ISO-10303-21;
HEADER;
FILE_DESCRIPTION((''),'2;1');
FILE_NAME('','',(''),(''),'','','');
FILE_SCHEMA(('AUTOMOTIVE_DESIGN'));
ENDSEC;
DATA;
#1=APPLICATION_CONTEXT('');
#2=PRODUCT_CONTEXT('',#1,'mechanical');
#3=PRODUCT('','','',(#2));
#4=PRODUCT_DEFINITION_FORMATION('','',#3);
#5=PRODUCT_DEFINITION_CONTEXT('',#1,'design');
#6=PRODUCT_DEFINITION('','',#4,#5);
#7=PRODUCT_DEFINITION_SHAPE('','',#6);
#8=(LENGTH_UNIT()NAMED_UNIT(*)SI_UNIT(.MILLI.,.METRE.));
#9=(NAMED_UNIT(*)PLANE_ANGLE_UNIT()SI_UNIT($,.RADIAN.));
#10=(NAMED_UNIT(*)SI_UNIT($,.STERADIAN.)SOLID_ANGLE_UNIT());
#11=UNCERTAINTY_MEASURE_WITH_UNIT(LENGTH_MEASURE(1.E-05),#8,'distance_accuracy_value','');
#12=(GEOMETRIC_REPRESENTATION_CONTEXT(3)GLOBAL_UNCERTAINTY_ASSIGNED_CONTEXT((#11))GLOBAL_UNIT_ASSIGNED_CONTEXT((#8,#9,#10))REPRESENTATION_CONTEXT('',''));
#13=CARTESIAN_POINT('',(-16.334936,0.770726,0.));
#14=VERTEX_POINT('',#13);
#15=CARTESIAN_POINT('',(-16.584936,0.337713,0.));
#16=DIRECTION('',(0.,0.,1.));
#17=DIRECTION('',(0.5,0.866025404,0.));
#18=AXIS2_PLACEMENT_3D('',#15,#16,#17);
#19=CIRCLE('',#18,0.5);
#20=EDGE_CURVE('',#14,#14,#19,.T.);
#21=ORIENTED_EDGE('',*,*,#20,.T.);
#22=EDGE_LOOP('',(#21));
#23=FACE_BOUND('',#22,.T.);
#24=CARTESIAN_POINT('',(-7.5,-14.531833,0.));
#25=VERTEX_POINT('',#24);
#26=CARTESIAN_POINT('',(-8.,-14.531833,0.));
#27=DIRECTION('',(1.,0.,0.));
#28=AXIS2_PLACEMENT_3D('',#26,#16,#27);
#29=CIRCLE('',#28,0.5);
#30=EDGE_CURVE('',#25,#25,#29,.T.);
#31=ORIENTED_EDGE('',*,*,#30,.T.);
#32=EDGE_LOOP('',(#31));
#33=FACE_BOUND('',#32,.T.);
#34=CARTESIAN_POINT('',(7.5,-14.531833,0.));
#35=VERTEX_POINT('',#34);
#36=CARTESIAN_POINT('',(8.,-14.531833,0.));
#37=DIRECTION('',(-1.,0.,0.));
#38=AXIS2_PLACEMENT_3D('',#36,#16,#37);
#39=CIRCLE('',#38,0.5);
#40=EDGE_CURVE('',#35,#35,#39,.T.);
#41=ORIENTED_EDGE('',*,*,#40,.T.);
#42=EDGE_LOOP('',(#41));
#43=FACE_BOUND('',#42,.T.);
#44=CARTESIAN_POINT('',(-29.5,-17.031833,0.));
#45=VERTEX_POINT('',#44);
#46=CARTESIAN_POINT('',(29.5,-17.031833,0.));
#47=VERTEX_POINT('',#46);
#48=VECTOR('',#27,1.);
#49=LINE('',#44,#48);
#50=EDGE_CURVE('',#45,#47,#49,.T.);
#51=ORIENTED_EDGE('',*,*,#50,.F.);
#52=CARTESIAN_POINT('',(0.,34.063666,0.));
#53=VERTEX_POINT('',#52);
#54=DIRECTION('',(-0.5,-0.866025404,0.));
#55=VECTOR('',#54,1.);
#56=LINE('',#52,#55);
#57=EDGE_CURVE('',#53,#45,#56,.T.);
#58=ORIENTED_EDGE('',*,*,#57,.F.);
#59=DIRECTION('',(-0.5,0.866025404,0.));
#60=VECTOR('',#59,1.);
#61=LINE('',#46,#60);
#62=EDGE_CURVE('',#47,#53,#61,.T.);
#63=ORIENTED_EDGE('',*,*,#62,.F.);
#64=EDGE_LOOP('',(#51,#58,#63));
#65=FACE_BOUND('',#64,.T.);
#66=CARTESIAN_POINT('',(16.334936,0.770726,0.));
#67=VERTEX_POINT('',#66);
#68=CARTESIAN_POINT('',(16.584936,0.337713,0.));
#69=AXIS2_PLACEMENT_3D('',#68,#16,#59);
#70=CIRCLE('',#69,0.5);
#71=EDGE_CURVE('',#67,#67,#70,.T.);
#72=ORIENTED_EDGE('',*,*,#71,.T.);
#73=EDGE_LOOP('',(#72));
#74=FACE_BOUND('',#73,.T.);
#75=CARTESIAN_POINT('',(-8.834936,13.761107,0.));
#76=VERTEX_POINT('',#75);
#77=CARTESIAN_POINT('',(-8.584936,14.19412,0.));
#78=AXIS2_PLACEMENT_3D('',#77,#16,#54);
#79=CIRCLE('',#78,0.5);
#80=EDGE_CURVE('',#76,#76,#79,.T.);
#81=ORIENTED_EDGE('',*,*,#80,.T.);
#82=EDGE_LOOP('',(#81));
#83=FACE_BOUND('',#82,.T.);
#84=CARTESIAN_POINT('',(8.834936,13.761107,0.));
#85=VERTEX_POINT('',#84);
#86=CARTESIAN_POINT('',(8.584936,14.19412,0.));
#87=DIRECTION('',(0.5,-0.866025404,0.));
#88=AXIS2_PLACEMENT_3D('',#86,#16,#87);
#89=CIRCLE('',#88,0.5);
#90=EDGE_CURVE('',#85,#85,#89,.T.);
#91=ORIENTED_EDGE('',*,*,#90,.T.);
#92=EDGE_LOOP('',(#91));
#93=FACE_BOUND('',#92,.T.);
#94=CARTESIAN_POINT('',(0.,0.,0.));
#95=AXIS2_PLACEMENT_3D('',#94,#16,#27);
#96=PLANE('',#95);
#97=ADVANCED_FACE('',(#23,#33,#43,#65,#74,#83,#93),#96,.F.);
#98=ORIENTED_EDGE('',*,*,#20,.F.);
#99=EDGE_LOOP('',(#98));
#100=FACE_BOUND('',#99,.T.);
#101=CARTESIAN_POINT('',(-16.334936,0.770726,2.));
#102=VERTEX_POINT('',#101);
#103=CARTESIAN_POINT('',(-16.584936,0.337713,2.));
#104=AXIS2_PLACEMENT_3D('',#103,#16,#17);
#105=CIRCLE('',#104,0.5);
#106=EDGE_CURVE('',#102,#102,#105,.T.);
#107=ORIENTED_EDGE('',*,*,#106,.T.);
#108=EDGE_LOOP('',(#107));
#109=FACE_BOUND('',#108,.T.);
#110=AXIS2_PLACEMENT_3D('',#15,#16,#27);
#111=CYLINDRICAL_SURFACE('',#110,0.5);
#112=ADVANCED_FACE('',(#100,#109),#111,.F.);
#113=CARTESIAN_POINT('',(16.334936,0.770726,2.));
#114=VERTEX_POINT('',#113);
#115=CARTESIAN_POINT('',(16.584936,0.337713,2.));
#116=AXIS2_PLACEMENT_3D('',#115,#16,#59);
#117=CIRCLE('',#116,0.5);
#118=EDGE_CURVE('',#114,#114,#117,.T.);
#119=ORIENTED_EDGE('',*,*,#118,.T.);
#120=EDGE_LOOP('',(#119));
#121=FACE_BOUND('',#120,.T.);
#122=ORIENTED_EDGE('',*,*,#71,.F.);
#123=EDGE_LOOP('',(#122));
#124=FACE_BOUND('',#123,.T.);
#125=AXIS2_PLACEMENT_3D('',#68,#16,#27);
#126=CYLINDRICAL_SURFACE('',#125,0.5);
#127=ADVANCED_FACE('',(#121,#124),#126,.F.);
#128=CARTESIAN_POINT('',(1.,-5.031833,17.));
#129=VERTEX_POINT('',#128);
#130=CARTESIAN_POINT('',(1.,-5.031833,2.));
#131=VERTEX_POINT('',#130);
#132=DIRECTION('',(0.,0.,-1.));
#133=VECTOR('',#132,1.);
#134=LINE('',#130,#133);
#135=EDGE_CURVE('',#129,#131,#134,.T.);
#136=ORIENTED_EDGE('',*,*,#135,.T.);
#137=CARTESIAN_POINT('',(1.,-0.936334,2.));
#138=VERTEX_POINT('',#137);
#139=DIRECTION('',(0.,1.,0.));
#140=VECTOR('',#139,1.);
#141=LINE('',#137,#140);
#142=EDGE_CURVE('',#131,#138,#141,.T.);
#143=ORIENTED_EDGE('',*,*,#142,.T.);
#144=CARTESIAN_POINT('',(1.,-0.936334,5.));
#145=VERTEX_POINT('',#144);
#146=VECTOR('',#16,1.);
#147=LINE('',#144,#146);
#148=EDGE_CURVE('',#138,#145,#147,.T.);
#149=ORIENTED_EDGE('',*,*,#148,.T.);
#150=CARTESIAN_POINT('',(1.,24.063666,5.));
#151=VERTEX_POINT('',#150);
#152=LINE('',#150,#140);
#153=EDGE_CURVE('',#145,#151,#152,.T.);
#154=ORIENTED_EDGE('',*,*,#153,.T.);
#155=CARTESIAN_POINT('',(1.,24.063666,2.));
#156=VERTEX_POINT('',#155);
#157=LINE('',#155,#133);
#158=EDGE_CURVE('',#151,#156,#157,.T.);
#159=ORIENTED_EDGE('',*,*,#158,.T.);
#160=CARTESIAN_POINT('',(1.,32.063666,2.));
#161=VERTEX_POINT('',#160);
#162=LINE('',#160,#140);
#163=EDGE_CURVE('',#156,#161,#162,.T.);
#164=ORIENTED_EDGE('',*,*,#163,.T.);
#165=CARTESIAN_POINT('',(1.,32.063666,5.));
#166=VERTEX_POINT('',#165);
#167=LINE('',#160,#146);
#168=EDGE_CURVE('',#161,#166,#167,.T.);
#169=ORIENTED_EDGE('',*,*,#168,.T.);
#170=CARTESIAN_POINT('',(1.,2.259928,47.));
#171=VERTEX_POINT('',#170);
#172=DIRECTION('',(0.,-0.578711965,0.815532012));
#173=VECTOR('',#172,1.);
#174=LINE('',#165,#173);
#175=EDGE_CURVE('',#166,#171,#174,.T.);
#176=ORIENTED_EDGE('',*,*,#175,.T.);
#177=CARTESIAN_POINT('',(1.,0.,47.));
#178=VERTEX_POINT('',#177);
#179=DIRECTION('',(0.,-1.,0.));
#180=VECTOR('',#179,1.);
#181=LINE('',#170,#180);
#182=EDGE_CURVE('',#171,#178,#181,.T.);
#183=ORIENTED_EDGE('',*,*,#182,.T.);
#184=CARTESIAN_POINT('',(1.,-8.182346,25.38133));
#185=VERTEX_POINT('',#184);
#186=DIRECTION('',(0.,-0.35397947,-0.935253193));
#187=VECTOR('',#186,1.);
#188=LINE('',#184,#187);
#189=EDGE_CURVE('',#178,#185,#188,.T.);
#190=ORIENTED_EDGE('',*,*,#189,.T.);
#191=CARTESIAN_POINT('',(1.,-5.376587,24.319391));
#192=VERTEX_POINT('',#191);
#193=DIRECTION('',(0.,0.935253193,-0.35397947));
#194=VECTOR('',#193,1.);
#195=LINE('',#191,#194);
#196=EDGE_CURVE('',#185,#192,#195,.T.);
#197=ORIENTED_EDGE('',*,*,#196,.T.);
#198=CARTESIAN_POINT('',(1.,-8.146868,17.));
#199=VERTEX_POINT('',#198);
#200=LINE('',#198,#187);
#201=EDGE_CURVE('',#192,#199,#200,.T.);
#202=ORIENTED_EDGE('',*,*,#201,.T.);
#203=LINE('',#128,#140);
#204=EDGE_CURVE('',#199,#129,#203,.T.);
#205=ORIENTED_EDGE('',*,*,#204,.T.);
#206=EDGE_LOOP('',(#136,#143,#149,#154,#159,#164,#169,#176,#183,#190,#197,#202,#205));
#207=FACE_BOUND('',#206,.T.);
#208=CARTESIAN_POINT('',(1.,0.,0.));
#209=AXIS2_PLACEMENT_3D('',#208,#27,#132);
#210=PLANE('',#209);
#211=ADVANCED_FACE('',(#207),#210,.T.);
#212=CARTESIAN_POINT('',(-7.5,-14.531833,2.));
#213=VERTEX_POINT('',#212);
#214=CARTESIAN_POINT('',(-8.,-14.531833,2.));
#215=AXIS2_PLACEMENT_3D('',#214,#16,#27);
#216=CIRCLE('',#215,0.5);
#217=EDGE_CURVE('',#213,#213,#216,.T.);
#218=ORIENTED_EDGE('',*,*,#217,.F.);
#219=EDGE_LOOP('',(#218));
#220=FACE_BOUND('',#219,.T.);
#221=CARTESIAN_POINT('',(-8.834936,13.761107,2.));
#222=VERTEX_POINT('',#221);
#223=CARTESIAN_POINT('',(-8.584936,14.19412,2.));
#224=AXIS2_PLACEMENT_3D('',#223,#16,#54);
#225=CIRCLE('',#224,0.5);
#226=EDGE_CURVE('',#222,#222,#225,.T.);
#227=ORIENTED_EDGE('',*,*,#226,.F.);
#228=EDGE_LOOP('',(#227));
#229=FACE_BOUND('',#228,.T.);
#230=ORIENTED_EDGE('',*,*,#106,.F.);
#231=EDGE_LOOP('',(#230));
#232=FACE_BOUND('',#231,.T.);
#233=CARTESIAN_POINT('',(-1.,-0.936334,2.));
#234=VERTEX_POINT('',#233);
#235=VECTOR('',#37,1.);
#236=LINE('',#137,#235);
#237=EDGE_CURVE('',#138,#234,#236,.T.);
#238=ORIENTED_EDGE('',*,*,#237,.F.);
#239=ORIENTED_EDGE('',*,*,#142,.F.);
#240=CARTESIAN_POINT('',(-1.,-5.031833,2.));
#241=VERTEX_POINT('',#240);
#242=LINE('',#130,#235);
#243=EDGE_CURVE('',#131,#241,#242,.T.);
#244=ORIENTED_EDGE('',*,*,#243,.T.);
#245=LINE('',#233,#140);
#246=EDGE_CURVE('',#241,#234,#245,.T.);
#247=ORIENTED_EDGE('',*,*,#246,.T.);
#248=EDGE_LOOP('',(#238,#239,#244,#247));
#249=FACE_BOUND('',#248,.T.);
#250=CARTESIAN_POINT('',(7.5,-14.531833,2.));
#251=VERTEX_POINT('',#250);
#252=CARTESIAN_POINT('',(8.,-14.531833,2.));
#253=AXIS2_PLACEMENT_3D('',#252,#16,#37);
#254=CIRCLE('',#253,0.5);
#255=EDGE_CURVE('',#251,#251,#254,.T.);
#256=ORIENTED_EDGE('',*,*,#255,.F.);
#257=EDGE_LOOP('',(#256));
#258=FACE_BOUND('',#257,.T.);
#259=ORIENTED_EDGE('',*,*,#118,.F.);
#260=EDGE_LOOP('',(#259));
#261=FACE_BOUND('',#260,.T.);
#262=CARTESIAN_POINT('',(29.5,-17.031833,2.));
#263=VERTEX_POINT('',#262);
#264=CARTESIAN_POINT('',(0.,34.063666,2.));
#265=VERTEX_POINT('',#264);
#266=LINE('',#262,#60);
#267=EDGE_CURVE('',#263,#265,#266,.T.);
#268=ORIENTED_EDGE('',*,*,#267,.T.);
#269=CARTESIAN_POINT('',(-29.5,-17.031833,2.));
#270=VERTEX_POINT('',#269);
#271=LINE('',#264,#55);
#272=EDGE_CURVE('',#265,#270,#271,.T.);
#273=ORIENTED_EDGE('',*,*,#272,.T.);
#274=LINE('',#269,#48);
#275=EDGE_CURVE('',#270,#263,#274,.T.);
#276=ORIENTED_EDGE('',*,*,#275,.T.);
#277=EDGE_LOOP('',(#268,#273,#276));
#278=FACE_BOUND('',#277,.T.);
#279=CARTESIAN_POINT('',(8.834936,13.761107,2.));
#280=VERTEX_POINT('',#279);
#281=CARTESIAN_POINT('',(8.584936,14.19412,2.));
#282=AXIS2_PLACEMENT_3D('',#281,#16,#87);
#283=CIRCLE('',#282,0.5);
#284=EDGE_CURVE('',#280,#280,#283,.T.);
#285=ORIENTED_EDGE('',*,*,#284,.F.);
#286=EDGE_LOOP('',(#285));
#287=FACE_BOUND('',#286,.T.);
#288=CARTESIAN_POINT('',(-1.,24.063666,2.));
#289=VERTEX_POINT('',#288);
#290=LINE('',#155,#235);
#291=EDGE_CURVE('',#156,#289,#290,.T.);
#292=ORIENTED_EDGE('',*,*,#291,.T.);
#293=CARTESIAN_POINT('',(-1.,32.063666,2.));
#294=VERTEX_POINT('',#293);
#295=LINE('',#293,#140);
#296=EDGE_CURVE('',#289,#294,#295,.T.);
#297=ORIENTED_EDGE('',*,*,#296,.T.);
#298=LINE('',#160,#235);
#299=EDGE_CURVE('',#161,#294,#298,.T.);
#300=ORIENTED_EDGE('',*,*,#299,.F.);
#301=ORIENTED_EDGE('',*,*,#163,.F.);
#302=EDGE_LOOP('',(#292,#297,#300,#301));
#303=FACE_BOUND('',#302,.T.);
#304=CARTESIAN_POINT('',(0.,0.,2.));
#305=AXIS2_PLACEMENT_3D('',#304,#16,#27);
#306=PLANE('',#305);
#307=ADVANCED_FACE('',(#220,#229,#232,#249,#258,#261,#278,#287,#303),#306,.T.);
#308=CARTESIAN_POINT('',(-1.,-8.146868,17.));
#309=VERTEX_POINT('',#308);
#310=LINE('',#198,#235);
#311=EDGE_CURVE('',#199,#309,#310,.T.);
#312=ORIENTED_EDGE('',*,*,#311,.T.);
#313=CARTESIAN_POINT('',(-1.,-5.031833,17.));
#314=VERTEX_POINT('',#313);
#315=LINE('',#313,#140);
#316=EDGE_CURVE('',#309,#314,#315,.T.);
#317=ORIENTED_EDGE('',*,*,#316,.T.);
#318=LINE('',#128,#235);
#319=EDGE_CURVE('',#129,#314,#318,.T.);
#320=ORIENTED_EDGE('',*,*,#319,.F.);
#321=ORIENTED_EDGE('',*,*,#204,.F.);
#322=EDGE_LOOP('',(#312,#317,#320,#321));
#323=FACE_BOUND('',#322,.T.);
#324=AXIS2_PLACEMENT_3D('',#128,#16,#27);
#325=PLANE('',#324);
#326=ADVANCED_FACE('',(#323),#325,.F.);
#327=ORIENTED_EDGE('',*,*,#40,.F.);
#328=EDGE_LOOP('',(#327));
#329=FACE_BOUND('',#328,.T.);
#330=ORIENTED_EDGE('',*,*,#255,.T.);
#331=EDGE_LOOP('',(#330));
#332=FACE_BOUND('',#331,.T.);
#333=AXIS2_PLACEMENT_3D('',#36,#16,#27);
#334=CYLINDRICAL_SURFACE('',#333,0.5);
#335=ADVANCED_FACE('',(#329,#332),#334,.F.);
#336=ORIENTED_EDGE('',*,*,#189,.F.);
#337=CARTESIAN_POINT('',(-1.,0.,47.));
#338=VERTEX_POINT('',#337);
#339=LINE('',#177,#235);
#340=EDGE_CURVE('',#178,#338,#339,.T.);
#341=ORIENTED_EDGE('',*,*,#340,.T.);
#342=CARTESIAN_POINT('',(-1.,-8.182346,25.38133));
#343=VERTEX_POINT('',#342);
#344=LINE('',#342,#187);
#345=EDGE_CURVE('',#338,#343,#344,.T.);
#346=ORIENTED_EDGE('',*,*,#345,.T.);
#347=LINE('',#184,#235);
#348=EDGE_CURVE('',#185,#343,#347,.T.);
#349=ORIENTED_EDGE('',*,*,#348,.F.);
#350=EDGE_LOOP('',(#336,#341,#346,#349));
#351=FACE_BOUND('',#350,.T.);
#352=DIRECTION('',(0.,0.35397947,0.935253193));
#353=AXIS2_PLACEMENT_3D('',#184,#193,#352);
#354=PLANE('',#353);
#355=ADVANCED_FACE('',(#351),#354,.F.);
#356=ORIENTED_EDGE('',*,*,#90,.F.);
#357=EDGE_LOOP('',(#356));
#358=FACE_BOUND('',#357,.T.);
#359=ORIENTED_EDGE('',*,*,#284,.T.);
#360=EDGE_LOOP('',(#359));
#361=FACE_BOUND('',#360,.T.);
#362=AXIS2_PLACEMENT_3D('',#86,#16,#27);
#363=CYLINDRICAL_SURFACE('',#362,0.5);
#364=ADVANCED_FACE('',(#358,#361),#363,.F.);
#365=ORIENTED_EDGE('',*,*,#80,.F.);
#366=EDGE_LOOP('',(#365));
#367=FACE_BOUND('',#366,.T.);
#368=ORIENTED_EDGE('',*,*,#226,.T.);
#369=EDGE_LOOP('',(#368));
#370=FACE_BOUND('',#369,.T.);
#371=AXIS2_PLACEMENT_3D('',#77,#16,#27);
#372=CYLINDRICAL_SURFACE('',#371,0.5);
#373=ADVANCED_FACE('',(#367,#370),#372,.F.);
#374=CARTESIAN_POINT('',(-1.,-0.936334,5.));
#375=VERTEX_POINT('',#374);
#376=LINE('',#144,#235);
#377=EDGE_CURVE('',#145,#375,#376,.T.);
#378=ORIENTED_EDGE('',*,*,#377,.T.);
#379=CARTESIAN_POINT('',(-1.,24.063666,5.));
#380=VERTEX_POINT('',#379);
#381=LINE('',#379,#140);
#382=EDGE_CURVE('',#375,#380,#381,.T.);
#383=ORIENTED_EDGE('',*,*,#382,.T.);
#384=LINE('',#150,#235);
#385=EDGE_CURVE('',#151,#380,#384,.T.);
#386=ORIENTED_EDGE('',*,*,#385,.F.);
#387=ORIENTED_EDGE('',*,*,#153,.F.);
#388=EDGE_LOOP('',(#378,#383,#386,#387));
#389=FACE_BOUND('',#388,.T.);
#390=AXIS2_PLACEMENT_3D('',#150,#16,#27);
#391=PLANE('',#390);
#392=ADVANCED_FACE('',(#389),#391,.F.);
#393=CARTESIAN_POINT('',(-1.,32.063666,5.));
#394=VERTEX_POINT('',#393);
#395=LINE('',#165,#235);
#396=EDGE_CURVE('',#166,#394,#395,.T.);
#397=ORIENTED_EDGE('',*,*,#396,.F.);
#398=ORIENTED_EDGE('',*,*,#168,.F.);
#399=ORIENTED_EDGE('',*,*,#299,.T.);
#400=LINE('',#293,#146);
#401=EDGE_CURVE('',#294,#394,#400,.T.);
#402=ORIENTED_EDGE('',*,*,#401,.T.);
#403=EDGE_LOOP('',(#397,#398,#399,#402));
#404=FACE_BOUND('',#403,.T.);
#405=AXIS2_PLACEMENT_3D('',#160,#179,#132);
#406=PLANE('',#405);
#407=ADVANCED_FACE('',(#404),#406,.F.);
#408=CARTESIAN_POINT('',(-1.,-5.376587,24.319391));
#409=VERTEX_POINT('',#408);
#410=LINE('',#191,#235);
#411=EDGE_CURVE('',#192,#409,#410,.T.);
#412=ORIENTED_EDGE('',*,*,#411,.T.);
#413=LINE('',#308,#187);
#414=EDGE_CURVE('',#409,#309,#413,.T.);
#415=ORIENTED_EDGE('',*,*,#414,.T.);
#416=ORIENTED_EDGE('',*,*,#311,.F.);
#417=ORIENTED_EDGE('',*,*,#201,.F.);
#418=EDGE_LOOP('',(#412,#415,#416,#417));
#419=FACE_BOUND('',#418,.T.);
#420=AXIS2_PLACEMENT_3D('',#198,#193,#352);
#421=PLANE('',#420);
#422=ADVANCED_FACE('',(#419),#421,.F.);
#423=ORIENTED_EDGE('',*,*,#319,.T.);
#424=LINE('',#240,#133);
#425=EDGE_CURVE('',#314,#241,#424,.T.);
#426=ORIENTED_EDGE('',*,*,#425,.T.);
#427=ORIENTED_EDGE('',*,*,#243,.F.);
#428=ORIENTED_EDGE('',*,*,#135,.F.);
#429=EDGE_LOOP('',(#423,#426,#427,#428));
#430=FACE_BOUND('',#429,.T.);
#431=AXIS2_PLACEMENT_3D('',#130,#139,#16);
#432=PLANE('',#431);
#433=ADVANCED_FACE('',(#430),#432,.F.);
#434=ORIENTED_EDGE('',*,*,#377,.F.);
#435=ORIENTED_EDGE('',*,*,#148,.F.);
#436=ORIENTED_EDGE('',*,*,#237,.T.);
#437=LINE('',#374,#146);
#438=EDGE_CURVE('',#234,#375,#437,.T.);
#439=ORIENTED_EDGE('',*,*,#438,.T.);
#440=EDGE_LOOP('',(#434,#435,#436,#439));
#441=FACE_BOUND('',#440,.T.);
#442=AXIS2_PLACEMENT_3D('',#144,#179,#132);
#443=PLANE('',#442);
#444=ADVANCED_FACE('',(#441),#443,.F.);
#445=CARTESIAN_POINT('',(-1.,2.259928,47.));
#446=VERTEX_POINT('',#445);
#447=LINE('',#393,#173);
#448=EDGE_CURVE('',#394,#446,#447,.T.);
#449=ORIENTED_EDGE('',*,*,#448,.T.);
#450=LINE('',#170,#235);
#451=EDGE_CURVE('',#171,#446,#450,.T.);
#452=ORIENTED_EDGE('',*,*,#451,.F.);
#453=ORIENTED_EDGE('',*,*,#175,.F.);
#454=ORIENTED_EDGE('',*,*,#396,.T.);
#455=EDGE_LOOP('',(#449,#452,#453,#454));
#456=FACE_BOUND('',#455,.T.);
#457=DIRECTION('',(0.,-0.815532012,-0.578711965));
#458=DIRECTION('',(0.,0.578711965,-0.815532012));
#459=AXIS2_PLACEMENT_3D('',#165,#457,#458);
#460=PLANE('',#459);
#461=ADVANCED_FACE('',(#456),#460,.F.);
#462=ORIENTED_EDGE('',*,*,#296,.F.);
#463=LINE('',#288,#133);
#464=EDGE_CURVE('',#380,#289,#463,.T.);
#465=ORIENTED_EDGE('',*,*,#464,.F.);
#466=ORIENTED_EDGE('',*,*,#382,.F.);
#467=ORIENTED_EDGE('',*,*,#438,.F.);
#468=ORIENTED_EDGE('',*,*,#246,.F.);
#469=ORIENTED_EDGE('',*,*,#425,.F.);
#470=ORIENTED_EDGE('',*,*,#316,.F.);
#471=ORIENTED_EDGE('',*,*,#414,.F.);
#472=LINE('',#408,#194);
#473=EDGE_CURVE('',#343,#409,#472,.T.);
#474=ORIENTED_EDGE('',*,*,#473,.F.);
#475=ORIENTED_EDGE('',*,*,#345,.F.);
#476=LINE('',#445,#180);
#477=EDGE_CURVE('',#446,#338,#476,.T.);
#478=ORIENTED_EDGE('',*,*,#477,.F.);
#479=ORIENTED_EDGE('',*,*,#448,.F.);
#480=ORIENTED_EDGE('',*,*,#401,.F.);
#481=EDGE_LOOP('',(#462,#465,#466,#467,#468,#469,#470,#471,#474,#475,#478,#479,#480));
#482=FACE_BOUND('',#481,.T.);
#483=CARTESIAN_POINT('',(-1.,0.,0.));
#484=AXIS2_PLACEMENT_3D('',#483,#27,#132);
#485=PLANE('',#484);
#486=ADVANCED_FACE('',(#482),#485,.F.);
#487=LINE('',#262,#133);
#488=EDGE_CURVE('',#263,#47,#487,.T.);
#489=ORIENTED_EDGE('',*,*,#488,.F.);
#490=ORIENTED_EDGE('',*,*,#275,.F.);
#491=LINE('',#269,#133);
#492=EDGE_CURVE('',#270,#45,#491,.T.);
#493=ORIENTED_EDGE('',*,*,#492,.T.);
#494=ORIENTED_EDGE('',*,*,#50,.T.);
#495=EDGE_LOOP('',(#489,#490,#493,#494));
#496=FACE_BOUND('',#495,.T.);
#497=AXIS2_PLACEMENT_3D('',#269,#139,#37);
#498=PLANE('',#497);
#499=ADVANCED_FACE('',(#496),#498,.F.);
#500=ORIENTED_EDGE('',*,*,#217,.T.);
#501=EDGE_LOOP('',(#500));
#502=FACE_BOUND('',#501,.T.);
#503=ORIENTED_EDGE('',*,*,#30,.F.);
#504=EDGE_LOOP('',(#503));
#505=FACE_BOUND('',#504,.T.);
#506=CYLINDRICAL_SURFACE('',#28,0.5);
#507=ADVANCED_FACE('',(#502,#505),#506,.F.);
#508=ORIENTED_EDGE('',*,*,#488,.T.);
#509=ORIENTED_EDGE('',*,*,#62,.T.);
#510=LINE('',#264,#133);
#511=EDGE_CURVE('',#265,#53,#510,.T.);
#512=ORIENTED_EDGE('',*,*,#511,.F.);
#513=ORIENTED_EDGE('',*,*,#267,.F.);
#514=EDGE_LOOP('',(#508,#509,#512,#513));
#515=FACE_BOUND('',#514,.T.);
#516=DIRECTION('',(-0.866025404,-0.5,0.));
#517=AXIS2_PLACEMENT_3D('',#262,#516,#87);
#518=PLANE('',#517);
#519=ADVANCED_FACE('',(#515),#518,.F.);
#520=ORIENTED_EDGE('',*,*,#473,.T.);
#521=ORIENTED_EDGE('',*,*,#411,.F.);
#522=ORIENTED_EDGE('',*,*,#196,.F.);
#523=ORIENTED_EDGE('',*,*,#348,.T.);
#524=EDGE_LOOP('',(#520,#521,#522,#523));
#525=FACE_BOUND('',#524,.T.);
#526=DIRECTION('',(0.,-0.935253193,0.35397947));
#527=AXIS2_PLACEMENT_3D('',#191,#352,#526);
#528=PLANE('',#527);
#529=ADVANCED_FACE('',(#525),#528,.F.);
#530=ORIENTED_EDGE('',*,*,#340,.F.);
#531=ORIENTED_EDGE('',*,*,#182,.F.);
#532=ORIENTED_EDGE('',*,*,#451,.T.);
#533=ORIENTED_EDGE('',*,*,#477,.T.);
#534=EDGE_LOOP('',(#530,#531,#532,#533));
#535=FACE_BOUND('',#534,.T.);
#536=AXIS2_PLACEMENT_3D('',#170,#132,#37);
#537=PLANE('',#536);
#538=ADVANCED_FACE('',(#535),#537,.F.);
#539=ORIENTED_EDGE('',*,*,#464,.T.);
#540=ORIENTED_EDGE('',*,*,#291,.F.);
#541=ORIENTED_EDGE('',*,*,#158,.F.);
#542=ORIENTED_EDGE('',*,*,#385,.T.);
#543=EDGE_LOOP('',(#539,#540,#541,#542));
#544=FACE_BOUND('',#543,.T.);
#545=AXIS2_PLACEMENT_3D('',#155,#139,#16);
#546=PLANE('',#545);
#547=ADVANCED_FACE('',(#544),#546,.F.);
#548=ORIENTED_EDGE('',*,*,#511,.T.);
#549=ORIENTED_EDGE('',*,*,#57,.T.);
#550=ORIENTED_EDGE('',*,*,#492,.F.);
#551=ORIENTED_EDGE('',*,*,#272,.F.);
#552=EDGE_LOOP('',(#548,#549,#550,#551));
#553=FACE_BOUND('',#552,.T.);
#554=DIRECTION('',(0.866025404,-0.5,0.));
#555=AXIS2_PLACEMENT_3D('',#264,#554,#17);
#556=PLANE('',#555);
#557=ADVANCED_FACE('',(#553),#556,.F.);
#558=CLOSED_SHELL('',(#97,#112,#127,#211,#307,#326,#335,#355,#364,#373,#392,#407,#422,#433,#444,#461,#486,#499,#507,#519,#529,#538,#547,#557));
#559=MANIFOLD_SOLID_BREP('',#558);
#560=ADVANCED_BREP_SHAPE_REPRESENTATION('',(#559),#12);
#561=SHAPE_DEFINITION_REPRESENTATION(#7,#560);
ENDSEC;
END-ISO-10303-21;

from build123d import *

# Parameters (mm, degrees)
BOSS_EXTRUDE1_DEPTH = 2
BOSS_EXTRUDE2_DEPTH = 1
SKETCH3_R           = 0.5
CUT_EXTRUDE1_DEPTH  = 64.683462008
CIRPATTERN1_COUNT   = 3


with BuildPart() as part:
    # Sketch1 → Boss-Extrude1 (new body)
    with BuildSketch(Plane.XY):
        Polygon((0, 34.063665882), (-29.5, -17.031832941), (29.5, -17.031832941), align=None)
    extrude(amount=BOSS_EXTRUDE1_DEPTH)

    # Sketch2 → Boss-Extrude2 (add, symmetric)
    with BuildSketch(Plane(origin=(0, 0, 0), x_dir=(0, 0, -1), z_dir=(1, 0, 0))):
        Polygon((-2, -0.936334118), (-2, -5.031832941), (-17, -5.031832941), (-17, -8.146867769), (-24.319391415, -5.376586618), (-25.381329824, -8.182346196), (-47, 0), (-47, 2.259927745), (-5, 32.063665882), (-2, 32.063665882), (-2, 24.063665882), (-5, 24.063665882), (-5, -0.936334118), align=None)
    extrude(amount=BOSS_EXTRUDE2_DEPTH, both=True)

    # Sketch3 → Cut-Extrude1 (cut, through all)
    with BuildSketch(Plane.XY.offset(2)):
        with Locations((-8, -14.531832941)):
            Circle(SKETCH3_R)
        with Locations((8, -14.531832941)):
            Circle(SKETCH3_R)
    cut_extrude1 = extrude(amount=-CUT_EXTRUDE1_DEPTH, mode=Mode.SUBTRACT)

    # CirPattern1: Cut-Extrude1 ×3 about axis
    cirpattern1_axis = Axis((0, 0, -2.35), (0, 0, 1))
    for i in range(1, CIRPATTERN1_COUNT):
        add(cut_extrude1.rotate(cirpattern1_axis, i * 360 / CIRPATTERN1_COUNT), mode=Mode.SUBTRACT)


solid = part.part
